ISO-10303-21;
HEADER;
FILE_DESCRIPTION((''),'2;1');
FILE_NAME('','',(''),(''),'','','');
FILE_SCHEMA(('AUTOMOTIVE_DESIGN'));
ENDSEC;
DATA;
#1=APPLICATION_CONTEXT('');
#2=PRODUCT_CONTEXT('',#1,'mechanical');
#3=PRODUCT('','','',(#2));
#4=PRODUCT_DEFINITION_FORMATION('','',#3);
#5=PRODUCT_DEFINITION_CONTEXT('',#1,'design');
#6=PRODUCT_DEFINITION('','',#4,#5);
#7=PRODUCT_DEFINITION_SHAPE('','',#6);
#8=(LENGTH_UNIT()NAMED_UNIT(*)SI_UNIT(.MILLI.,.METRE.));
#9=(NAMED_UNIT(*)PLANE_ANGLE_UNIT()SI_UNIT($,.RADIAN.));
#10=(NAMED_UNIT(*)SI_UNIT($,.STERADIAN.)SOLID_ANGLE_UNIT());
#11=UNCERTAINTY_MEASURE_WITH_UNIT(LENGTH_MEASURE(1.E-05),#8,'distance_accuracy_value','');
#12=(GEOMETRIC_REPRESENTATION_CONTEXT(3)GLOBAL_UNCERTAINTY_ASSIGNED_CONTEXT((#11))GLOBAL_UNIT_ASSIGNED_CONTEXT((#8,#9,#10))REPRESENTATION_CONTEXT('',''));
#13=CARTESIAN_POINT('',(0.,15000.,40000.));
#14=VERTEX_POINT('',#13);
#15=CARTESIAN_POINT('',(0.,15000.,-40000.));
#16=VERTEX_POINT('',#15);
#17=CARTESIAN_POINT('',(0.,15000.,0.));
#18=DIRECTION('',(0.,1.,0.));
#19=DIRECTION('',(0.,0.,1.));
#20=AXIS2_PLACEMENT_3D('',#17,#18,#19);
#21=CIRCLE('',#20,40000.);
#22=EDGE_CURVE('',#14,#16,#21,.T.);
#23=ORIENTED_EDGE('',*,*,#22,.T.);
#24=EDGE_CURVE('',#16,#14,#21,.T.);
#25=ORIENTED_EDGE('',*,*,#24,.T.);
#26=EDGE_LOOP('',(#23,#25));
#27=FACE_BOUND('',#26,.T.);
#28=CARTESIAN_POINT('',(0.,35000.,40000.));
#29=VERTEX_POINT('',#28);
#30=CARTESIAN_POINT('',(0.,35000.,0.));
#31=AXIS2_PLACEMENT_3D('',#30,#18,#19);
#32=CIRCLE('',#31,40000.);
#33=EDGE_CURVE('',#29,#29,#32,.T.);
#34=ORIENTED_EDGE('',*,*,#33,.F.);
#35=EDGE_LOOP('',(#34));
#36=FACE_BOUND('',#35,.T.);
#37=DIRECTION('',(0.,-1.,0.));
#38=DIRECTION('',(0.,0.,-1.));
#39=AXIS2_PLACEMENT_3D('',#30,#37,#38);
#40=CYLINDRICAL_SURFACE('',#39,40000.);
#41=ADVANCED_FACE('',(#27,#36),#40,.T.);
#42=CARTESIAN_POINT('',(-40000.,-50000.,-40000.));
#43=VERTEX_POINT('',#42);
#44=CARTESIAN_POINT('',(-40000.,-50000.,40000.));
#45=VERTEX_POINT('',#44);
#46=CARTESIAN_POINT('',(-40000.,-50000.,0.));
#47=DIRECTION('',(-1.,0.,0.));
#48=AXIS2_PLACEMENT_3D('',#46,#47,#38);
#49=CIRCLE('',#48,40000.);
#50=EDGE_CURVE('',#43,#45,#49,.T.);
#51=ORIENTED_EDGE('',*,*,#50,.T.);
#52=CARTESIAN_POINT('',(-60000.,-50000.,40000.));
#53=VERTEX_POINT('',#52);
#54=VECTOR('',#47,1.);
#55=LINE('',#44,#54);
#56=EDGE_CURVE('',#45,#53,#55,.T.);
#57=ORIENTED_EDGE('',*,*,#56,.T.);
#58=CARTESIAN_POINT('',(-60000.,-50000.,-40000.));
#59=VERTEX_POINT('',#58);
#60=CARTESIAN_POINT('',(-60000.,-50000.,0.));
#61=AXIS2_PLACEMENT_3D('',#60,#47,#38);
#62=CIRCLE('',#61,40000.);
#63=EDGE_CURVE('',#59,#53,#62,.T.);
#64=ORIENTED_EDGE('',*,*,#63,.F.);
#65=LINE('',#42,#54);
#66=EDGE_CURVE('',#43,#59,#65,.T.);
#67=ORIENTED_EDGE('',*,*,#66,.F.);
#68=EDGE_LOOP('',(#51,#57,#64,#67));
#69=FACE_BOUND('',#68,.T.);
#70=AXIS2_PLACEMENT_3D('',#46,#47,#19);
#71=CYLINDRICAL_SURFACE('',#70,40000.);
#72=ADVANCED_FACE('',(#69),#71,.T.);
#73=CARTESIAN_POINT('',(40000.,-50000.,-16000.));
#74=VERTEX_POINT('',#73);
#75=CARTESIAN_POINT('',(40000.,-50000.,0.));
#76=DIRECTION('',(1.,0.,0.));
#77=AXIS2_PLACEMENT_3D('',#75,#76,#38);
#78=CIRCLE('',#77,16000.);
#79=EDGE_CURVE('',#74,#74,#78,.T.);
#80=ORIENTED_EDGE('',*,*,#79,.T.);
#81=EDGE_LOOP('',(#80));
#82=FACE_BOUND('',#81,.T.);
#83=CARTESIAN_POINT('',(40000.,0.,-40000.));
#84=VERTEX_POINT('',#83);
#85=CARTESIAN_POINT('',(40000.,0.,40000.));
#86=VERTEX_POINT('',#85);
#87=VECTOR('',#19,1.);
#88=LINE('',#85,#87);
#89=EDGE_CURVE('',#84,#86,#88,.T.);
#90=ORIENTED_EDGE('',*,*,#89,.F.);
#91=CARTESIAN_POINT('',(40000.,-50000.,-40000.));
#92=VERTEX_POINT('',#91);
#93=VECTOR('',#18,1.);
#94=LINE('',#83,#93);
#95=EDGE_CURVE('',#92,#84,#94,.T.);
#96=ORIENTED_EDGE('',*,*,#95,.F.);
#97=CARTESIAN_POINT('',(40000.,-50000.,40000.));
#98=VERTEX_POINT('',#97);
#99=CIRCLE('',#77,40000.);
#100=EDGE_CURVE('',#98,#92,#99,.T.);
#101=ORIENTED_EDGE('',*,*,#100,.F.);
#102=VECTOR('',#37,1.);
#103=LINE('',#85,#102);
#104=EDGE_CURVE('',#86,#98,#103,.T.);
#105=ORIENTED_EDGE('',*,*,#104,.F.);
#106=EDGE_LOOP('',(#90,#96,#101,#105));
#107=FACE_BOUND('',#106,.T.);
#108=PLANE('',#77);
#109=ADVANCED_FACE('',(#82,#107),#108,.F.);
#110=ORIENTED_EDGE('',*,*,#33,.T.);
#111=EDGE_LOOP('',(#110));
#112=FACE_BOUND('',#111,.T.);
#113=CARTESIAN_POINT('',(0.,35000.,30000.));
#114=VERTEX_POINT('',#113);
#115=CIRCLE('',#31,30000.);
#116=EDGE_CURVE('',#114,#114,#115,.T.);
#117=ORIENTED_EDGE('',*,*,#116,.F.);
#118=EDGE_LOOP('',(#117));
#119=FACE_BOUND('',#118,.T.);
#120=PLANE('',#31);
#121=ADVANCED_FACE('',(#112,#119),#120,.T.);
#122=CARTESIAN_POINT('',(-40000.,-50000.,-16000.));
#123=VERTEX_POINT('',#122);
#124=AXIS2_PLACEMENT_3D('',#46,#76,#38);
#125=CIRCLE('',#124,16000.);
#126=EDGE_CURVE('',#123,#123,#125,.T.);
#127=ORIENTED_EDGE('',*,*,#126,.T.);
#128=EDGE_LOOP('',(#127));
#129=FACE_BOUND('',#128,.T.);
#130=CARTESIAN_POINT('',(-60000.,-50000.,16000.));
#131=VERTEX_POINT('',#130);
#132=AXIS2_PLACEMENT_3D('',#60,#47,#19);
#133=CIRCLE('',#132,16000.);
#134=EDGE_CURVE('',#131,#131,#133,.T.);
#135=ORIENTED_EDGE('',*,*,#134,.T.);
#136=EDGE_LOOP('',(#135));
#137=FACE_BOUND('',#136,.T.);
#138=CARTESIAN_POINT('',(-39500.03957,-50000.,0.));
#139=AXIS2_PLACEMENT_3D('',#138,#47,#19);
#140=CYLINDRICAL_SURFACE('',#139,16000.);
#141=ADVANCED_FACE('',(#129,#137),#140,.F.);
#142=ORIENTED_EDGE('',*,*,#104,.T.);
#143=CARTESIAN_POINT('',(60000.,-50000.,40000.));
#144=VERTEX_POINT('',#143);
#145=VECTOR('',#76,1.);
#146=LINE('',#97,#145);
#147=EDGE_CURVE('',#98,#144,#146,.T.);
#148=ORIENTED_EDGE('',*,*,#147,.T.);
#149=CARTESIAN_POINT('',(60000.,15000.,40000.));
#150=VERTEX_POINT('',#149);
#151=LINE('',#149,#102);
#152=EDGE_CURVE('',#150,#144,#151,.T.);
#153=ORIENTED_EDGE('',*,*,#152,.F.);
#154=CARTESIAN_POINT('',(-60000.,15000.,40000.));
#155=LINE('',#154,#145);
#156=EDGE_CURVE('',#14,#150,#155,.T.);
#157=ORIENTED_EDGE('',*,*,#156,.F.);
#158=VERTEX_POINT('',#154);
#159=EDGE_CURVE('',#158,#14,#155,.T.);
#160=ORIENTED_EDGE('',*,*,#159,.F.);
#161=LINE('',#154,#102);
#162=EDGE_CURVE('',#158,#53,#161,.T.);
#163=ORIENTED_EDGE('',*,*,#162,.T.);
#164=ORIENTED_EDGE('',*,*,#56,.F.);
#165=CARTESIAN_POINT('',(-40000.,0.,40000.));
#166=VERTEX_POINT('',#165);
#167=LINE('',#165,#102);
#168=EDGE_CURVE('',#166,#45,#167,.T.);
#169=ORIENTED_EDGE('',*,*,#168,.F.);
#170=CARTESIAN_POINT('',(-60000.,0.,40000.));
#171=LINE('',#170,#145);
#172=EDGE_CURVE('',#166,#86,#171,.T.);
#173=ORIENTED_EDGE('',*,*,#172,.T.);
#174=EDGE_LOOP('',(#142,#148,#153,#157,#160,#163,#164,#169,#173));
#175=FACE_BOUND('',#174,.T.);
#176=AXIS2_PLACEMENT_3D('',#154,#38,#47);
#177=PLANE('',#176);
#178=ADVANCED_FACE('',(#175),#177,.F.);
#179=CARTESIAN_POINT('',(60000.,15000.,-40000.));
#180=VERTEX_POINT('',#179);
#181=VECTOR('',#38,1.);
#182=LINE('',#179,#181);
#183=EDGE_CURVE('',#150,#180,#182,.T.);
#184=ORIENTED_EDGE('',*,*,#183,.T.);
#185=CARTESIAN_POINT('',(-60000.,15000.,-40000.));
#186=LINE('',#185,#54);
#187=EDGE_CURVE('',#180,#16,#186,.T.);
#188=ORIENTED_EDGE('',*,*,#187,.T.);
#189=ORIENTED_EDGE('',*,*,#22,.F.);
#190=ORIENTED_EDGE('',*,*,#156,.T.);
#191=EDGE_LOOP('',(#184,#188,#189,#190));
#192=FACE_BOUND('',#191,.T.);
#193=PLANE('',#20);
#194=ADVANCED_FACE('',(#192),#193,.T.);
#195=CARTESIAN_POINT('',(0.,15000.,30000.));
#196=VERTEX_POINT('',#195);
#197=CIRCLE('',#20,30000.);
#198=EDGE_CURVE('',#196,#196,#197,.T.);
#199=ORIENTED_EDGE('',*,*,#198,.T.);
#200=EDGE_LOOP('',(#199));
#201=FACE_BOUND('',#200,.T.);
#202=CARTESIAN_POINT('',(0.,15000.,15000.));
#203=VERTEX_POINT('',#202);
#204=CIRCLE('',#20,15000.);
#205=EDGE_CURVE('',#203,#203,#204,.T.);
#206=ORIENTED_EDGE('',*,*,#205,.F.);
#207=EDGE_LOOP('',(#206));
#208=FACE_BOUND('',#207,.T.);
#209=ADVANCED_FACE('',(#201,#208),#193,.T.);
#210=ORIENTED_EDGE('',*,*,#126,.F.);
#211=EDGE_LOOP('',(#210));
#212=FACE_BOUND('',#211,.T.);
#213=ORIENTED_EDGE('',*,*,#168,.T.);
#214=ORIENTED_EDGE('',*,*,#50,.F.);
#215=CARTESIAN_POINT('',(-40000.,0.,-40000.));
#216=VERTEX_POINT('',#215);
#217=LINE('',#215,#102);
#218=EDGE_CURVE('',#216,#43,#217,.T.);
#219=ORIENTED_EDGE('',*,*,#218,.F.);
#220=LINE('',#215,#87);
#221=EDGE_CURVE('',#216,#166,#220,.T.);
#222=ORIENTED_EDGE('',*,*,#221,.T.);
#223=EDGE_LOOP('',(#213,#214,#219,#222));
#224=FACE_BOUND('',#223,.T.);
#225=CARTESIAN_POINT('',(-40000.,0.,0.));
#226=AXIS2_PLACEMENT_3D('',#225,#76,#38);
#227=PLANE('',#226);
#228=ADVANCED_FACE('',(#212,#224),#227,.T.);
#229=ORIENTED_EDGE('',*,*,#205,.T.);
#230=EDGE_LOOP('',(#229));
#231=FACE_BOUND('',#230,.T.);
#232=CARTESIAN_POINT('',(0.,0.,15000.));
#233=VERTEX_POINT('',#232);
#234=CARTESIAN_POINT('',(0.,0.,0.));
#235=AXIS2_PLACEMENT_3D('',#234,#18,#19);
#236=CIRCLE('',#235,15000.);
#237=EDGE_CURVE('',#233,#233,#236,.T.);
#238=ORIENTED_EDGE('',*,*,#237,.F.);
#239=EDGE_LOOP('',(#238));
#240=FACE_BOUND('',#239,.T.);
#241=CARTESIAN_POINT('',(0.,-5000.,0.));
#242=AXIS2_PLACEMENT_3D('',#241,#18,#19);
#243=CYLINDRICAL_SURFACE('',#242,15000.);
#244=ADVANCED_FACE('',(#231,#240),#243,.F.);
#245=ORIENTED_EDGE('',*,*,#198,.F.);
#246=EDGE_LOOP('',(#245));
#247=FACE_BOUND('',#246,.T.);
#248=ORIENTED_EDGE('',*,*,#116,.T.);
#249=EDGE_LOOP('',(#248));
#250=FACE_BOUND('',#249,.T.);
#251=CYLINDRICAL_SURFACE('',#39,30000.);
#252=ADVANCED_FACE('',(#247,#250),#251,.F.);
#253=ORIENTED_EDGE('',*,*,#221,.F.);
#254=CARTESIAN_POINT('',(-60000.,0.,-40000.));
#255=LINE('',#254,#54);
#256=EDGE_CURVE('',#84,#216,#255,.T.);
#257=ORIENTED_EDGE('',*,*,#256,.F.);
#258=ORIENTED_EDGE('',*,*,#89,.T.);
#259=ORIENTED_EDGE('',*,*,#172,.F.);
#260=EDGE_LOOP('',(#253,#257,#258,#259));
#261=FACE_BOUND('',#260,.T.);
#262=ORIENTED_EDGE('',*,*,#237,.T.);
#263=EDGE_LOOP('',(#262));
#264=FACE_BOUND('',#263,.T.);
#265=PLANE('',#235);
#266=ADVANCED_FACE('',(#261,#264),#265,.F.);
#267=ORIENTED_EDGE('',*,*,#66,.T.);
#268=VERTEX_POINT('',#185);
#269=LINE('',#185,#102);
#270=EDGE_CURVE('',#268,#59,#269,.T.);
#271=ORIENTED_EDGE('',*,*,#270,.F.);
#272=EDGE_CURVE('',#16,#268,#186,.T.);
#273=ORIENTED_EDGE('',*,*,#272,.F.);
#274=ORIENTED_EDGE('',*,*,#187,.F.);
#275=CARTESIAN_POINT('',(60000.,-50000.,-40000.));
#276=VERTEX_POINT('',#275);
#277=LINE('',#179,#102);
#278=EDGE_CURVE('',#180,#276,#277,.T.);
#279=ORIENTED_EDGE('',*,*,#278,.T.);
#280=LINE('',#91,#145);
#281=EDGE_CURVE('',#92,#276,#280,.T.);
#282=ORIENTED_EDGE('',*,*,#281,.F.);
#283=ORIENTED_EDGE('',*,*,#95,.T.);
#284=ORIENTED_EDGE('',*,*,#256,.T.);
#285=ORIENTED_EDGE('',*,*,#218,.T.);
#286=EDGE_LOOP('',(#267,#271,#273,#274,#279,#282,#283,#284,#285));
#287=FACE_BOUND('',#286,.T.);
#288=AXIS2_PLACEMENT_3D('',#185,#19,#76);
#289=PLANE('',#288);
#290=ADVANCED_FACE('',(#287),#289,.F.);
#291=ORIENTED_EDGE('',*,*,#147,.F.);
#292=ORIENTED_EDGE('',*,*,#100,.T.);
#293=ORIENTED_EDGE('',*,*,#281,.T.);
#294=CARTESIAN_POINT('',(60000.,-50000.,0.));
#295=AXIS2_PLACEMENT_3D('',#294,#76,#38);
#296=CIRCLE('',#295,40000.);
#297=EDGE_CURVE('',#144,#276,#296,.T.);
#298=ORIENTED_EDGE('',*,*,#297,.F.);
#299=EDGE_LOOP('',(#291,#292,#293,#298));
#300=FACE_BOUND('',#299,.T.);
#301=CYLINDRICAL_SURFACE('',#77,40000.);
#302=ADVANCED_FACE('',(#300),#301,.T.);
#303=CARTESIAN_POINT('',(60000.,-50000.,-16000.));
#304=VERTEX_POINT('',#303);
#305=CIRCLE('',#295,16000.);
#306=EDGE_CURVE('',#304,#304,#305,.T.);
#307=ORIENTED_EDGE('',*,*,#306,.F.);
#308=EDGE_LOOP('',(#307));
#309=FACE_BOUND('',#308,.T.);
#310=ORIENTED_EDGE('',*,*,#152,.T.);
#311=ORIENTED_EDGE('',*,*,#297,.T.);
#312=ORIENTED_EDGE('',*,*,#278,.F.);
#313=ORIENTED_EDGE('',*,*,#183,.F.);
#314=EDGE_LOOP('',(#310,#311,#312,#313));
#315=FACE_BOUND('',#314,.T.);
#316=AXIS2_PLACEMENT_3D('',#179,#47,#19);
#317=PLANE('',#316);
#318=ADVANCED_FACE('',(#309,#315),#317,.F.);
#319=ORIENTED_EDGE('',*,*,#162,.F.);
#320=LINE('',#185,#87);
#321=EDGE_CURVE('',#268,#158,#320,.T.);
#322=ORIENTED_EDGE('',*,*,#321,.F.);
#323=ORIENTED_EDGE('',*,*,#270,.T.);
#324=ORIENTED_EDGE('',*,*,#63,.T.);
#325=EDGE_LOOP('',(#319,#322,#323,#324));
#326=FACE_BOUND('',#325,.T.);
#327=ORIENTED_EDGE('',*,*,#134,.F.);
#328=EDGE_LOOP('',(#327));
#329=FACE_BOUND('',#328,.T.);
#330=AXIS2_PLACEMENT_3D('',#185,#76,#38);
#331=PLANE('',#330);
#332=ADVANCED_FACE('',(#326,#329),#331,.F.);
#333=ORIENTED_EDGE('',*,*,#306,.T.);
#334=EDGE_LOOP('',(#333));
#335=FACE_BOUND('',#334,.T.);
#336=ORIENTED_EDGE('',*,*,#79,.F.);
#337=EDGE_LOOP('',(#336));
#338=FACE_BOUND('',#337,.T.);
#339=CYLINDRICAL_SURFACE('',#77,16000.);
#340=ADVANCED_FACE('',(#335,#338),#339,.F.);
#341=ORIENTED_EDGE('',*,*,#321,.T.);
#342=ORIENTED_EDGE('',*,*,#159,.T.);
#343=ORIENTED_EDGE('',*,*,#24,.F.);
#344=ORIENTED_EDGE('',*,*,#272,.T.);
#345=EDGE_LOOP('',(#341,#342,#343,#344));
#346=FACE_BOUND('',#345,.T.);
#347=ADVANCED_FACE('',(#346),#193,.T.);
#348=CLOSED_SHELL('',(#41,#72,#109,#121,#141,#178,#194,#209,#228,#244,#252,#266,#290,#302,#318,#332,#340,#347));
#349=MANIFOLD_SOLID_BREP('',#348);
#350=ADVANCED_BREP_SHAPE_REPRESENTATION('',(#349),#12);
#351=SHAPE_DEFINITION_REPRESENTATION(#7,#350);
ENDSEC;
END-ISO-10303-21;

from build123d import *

# Parameters (mm, degrees)
SKETCH2_W           = 120000
SKETCH2_H           = 80000
BOSS_EXTRUDE1_DEPTH = 15000
SKETCH3_R           = 40000
SKETCH3_R_2         = 30000
BOSS_EXTRUDE2_DEPTH = 20000
SKETCH4_R           = 15000
CUT_EXTRUDE1_DEPTH  = 20000
SKETCH7_W           = 80000
SKETCH7_H           = 50000
BOSS_EXTRUDE4_DEPTH = 20000
BOSS_EXTRUDE5_DEPTH = 20000
SKETCH11_R          = 16000
CUT_EXTRUDE3_DEPTH  = 20499.960430488
BOSS_EXTRUDE7_START = -20000
BOSS_EXTRUDE7_DEPTH = 20000
CUT_EXTRUDE4_START  = -20000
SKETCH15_R          = 16000
CUT_EXTRUDE4_DEPTH  = 20000


with BuildPart() as part:
    # Sketch2 → Boss-Extrude1 (new body)
    with BuildSketch(Plane(origin=(0, 0, 0), x_dir=(1, 0, 0), z_dir=(0, 1, 0))):
        Rectangle(SKETCH2_W, SKETCH2_H)
    extrude(amount=BOSS_EXTRUDE1_DEPTH)

    # Sketch3 → Boss-Extrude2 (add)
    with BuildSketch(Plane(origin=(0, 15000, 0), x_dir=(1, 0, 0), z_dir=(0, 1, 0))):
        with Locations(Location((0, 0, 0), (0, 0, 270))):
            Circle(SKETCH3_R)
        with Locations(Location((0, 0, 0), (0, 0, 270))):
            Circle(SKETCH3_R_2, mode=Mode.SUBTRACT)
    extrude(amount=BOSS_EXTRUDE2_DEPTH)

    # Sketch4 → Cut-Extrude1 (cut)
    with BuildSketch(Plane(origin=(0, 15000, 0), x_dir=(1, 0, 0), z_dir=(0, 1, 0))):
        with Locations(Location((0, 0, 0), (0, 0, 270))):
            Circle(SKETCH4_R)
    extrude(amount=-CUT_EXTRUDE1_DEPTH, mode=Mode.SUBTRACT)

    # Sketch7 → Boss-Extrude4 (add)
    with BuildSketch(Plane.ZY.offset(60000)):
        with Locations((0, -25000)):
            Rectangle(SKETCH7_W, SKETCH7_H)
    extrude(amount=-BOSS_EXTRUDE4_DEPTH)

    # Sketch9 → Boss-Extrude5 (add)
    with BuildSketch(Plane.ZY.offset(60000)):
        with BuildLine():
            Line((-40000, -50000), (40000, -50000))
            ThreePointArc((40000, -50000), (0, -90000), (-40000, -50000))
        make_face()
    extrude(amount=-BOSS_EXTRUDE5_DEPTH)

    # Sketch11 → Cut-Extrude3 (cut)
    with BuildSketch(Plane.ZY.offset(60000)):
        with Locations((0, -50000)):
            Circle(SKETCH11_R)
    extrude(amount=-CUT_EXTRUDE3_DEPTH, mode=Mode.SUBTRACT)

    # Sketch14 → Boss-Extrude7 (add)
    with BuildSketch(Plane(origin=(60000, 0, 0), x_dir=(0, 0, -1), z_dir=(1, 0, 0)).offset(BOSS_EXTRUDE7_START)):
        with BuildLine():
            Line((-40000, 0), (40000, 0))
            Line((40000, 0), (40000, -50000))
            ThreePointArc((40000, -50000), (0, -90000), (-40000, -50000))
            Line((-40000, -50000), (-40000, 0))
        make_face()
    extrude(amount=BOSS_EXTRUDE7_DEPTH)

    # Sketch15 → Cut-Extrude4 (cut)
    with BuildSketch(Plane(origin=(60000, 0, 0), x_dir=(0, 0, -1), z_dir=(1, 0, 0)).offset(CUT_EXTRUDE4_START)):
        with Locations(Location((0, -50000, 0), (0, 0, 180))):
            Circle(SKETCH15_R)
    extrude(amount=CUT_EXTRUDE4_DEPTH, mode=Mode.SUBTRACT)


solid = part.part
